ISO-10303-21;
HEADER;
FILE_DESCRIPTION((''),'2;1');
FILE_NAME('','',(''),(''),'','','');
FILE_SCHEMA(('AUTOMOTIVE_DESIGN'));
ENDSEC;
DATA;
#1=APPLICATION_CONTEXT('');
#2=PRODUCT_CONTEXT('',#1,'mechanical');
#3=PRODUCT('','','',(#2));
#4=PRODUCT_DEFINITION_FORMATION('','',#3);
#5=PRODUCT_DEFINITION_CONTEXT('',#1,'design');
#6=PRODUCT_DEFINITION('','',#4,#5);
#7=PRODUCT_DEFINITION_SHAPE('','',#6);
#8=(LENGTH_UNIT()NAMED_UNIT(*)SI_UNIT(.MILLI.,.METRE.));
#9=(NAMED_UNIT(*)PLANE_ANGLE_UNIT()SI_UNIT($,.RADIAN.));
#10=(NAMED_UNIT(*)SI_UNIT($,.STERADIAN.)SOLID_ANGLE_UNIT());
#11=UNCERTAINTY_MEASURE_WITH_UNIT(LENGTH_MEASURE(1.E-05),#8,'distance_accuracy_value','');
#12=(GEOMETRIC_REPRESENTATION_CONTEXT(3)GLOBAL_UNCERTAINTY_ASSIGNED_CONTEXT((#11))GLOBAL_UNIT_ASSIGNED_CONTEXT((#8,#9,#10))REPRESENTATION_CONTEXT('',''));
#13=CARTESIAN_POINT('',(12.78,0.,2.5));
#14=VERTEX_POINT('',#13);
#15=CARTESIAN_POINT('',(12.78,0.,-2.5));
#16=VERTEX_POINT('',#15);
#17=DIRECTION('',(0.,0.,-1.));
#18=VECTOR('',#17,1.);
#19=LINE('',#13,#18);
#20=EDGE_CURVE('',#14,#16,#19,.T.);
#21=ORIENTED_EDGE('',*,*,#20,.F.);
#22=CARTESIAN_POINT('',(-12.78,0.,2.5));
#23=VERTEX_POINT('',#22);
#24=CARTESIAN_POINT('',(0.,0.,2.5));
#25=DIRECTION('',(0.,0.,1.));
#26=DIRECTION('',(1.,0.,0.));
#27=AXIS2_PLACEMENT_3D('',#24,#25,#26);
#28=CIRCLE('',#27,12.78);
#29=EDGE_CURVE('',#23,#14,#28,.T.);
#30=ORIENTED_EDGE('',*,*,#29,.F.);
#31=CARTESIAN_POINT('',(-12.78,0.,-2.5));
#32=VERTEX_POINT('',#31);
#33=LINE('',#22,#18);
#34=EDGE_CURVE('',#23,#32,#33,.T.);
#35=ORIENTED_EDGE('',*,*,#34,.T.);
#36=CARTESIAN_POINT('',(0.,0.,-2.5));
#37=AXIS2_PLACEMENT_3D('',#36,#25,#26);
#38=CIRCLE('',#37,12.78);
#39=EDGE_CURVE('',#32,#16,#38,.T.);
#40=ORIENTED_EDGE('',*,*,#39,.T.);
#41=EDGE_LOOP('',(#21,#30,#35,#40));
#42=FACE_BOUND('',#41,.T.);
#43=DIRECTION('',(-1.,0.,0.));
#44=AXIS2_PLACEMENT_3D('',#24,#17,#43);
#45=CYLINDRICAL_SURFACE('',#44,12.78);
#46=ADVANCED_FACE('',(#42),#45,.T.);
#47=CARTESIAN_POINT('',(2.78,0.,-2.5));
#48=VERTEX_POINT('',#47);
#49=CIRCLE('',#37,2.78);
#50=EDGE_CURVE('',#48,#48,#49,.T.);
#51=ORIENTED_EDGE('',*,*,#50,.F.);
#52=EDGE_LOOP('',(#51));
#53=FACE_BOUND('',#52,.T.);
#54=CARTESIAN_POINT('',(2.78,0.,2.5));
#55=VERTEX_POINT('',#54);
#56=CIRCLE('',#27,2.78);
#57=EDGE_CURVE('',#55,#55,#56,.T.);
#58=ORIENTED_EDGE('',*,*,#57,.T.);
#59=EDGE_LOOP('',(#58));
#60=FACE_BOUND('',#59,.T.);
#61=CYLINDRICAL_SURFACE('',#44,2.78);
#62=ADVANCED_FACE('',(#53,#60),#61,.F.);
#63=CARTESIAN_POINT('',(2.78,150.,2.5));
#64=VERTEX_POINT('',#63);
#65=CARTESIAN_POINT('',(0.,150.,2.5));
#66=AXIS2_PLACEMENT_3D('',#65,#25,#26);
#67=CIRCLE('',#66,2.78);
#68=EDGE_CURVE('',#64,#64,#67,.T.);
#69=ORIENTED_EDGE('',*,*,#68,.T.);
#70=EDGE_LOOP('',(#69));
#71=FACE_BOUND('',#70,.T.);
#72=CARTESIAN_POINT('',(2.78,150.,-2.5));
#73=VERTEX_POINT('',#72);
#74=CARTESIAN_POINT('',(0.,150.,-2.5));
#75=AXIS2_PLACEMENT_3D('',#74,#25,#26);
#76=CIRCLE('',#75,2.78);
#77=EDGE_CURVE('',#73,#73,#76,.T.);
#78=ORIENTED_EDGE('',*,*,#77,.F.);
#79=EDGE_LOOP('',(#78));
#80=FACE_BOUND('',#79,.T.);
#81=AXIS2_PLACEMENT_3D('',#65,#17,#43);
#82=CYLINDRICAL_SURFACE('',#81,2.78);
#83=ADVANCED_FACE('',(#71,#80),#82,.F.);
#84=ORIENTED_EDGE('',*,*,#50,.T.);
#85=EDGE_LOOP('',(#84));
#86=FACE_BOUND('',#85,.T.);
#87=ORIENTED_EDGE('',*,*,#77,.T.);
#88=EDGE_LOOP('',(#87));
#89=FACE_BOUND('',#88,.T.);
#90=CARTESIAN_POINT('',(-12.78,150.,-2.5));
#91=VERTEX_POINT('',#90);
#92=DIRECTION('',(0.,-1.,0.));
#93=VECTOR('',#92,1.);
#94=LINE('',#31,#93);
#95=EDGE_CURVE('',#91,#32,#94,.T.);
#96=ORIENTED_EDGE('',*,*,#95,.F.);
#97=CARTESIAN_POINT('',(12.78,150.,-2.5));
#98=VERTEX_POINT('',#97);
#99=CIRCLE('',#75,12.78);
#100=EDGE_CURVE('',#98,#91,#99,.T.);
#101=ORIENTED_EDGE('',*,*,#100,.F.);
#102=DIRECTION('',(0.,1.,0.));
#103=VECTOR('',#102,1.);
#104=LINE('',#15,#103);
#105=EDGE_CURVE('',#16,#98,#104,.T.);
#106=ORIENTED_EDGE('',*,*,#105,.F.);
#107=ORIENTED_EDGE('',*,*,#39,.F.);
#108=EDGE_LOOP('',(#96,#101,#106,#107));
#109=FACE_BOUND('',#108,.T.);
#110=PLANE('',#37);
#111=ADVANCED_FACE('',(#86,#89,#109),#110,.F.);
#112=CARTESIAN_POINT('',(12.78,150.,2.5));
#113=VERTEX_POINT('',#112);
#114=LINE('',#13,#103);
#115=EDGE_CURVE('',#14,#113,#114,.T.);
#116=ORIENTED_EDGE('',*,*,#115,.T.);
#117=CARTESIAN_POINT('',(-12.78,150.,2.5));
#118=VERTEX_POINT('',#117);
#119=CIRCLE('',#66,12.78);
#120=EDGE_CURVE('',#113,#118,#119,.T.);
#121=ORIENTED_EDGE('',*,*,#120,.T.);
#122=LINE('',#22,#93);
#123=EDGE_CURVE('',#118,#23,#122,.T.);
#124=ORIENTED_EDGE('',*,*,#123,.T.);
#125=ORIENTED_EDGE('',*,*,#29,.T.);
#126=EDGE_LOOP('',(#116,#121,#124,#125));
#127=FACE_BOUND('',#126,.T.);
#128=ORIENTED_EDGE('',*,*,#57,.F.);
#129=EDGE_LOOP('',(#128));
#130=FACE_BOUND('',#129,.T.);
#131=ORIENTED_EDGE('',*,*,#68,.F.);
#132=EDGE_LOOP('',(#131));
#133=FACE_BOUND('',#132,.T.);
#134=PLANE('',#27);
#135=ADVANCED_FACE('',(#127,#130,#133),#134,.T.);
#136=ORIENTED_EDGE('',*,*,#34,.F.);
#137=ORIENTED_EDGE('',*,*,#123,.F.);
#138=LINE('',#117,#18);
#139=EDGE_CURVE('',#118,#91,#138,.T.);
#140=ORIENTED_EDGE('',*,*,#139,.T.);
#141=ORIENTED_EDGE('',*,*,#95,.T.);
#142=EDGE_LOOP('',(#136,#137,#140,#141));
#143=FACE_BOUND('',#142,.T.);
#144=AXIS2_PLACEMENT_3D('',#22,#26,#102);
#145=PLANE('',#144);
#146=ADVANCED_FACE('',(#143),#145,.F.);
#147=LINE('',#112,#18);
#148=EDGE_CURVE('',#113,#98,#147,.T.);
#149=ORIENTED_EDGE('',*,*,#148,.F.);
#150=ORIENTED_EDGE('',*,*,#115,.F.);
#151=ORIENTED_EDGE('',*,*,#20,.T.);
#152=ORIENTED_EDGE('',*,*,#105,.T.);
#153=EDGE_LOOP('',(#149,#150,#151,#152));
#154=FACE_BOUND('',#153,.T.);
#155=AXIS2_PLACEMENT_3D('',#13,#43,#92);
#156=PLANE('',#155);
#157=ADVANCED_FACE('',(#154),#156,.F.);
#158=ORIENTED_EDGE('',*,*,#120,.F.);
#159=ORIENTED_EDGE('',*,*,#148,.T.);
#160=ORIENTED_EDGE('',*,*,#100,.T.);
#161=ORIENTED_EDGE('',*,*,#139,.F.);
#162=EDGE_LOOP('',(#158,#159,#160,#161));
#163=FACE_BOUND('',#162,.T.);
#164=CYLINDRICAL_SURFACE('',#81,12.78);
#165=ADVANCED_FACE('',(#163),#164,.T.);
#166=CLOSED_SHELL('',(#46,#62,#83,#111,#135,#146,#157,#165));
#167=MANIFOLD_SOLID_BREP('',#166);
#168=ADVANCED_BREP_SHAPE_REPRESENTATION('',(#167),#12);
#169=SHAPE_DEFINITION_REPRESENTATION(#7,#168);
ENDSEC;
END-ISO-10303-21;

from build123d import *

# Parameters (mm, degrees)
SKETCH1_R           = 12.78
SKETCH1_R_2         = 2.78
BOSS_EXTRUDE1_DEPTH = 2.5


with BuildPart() as part:
    # Sketch1 → Boss-Extrude1 (new body, symmetric)
    with BuildSketch(Plane.XY):
        with BuildLine():
            ThreePointArc((12.78, 150), (0, 137.22), (-12.78, 150))
            Line((-12.78, 150), (-12.78, 0))
            ThreePointArc((-12.78, 0), (0, 12.78), (12.78, 0))
            Line((12.78, 0), (12.78, 150))
        make_face()
        with Locations((0, 150)):
            Circle(SKETCH1_R)
        with Locations((0, 150)):
            Circle(SKETCH1_R_2, mode=Mode.SUBTRACT)
        Circle(SKETCH1_R)
        Circle(SKETCH1_R_2, mode=Mode.SUBTRACT)
    extrude(amount=BOSS_EXTRUDE1_DEPTH, both=True)


solid = part.part
